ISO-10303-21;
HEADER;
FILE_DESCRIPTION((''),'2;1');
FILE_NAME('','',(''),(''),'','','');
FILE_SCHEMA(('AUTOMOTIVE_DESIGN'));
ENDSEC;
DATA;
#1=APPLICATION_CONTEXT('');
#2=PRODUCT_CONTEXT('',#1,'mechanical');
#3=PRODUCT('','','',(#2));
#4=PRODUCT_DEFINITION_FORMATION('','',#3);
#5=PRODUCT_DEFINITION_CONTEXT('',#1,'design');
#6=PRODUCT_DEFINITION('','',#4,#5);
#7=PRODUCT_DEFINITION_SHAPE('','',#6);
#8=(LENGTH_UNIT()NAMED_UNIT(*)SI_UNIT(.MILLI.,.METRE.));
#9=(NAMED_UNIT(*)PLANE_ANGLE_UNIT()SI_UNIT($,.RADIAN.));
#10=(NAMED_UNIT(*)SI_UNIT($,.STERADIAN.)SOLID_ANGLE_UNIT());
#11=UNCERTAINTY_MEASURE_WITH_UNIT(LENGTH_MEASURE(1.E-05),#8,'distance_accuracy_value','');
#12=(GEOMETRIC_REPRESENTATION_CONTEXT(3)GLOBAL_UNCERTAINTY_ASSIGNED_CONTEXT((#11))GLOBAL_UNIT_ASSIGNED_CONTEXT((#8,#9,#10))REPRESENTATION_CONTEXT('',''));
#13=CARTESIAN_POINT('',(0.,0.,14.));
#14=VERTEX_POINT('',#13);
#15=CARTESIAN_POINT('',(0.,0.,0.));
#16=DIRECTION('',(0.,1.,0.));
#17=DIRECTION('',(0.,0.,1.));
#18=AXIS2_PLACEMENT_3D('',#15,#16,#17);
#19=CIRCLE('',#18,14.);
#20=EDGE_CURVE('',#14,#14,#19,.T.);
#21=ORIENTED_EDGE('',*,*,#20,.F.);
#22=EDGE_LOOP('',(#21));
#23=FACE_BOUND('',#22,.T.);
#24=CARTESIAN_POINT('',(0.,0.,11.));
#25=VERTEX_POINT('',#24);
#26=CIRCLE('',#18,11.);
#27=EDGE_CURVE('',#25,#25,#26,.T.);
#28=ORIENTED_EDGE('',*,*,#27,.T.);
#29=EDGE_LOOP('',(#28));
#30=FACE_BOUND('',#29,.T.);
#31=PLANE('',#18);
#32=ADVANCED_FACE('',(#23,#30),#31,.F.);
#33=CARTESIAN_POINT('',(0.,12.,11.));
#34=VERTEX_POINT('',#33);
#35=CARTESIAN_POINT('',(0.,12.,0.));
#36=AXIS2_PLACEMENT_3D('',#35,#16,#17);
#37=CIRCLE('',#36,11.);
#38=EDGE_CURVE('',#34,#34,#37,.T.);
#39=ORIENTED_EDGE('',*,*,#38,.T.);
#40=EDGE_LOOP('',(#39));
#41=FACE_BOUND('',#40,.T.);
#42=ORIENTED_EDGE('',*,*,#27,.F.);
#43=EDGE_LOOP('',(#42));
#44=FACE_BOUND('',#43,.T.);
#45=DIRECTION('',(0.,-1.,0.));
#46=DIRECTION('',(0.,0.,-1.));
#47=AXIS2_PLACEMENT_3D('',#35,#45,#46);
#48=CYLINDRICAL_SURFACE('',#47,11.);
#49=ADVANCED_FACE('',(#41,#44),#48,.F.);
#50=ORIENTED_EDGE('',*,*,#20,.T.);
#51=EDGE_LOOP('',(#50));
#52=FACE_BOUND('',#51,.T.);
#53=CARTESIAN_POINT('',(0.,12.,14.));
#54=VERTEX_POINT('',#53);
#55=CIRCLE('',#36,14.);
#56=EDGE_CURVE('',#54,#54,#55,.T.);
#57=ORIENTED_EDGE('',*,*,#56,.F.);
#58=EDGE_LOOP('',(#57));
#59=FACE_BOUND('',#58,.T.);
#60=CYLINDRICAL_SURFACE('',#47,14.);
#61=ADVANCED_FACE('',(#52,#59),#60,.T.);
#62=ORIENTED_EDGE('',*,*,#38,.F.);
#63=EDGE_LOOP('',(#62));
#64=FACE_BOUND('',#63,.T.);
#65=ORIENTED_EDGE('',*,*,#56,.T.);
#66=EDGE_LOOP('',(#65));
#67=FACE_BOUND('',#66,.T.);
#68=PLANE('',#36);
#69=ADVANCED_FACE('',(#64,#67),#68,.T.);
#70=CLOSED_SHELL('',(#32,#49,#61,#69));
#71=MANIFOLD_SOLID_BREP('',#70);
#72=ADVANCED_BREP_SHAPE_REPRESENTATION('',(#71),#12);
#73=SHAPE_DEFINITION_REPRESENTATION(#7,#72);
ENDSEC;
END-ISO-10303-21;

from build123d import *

# Parameters (mm, degrees)
SKETCH2_R           = 14
SKETCH2_R_2         = 11
BOSS_EXTRUDE1_DEPTH = 12


with BuildPart() as part:
    # Sketch2 → Boss-Extrude1 (new body)
    with BuildSketch(Plane(origin=(0, 0, 0), x_dir=(1, 0, 0), z_dir=(0, 1, 0))):
        Circle(SKETCH2_R)
        Circle(SKETCH2_R_2, mode=Mode.SUBTRACT)
    extrude(amount=BOSS_EXTRUDE1_DEPTH)


solid = part.part
